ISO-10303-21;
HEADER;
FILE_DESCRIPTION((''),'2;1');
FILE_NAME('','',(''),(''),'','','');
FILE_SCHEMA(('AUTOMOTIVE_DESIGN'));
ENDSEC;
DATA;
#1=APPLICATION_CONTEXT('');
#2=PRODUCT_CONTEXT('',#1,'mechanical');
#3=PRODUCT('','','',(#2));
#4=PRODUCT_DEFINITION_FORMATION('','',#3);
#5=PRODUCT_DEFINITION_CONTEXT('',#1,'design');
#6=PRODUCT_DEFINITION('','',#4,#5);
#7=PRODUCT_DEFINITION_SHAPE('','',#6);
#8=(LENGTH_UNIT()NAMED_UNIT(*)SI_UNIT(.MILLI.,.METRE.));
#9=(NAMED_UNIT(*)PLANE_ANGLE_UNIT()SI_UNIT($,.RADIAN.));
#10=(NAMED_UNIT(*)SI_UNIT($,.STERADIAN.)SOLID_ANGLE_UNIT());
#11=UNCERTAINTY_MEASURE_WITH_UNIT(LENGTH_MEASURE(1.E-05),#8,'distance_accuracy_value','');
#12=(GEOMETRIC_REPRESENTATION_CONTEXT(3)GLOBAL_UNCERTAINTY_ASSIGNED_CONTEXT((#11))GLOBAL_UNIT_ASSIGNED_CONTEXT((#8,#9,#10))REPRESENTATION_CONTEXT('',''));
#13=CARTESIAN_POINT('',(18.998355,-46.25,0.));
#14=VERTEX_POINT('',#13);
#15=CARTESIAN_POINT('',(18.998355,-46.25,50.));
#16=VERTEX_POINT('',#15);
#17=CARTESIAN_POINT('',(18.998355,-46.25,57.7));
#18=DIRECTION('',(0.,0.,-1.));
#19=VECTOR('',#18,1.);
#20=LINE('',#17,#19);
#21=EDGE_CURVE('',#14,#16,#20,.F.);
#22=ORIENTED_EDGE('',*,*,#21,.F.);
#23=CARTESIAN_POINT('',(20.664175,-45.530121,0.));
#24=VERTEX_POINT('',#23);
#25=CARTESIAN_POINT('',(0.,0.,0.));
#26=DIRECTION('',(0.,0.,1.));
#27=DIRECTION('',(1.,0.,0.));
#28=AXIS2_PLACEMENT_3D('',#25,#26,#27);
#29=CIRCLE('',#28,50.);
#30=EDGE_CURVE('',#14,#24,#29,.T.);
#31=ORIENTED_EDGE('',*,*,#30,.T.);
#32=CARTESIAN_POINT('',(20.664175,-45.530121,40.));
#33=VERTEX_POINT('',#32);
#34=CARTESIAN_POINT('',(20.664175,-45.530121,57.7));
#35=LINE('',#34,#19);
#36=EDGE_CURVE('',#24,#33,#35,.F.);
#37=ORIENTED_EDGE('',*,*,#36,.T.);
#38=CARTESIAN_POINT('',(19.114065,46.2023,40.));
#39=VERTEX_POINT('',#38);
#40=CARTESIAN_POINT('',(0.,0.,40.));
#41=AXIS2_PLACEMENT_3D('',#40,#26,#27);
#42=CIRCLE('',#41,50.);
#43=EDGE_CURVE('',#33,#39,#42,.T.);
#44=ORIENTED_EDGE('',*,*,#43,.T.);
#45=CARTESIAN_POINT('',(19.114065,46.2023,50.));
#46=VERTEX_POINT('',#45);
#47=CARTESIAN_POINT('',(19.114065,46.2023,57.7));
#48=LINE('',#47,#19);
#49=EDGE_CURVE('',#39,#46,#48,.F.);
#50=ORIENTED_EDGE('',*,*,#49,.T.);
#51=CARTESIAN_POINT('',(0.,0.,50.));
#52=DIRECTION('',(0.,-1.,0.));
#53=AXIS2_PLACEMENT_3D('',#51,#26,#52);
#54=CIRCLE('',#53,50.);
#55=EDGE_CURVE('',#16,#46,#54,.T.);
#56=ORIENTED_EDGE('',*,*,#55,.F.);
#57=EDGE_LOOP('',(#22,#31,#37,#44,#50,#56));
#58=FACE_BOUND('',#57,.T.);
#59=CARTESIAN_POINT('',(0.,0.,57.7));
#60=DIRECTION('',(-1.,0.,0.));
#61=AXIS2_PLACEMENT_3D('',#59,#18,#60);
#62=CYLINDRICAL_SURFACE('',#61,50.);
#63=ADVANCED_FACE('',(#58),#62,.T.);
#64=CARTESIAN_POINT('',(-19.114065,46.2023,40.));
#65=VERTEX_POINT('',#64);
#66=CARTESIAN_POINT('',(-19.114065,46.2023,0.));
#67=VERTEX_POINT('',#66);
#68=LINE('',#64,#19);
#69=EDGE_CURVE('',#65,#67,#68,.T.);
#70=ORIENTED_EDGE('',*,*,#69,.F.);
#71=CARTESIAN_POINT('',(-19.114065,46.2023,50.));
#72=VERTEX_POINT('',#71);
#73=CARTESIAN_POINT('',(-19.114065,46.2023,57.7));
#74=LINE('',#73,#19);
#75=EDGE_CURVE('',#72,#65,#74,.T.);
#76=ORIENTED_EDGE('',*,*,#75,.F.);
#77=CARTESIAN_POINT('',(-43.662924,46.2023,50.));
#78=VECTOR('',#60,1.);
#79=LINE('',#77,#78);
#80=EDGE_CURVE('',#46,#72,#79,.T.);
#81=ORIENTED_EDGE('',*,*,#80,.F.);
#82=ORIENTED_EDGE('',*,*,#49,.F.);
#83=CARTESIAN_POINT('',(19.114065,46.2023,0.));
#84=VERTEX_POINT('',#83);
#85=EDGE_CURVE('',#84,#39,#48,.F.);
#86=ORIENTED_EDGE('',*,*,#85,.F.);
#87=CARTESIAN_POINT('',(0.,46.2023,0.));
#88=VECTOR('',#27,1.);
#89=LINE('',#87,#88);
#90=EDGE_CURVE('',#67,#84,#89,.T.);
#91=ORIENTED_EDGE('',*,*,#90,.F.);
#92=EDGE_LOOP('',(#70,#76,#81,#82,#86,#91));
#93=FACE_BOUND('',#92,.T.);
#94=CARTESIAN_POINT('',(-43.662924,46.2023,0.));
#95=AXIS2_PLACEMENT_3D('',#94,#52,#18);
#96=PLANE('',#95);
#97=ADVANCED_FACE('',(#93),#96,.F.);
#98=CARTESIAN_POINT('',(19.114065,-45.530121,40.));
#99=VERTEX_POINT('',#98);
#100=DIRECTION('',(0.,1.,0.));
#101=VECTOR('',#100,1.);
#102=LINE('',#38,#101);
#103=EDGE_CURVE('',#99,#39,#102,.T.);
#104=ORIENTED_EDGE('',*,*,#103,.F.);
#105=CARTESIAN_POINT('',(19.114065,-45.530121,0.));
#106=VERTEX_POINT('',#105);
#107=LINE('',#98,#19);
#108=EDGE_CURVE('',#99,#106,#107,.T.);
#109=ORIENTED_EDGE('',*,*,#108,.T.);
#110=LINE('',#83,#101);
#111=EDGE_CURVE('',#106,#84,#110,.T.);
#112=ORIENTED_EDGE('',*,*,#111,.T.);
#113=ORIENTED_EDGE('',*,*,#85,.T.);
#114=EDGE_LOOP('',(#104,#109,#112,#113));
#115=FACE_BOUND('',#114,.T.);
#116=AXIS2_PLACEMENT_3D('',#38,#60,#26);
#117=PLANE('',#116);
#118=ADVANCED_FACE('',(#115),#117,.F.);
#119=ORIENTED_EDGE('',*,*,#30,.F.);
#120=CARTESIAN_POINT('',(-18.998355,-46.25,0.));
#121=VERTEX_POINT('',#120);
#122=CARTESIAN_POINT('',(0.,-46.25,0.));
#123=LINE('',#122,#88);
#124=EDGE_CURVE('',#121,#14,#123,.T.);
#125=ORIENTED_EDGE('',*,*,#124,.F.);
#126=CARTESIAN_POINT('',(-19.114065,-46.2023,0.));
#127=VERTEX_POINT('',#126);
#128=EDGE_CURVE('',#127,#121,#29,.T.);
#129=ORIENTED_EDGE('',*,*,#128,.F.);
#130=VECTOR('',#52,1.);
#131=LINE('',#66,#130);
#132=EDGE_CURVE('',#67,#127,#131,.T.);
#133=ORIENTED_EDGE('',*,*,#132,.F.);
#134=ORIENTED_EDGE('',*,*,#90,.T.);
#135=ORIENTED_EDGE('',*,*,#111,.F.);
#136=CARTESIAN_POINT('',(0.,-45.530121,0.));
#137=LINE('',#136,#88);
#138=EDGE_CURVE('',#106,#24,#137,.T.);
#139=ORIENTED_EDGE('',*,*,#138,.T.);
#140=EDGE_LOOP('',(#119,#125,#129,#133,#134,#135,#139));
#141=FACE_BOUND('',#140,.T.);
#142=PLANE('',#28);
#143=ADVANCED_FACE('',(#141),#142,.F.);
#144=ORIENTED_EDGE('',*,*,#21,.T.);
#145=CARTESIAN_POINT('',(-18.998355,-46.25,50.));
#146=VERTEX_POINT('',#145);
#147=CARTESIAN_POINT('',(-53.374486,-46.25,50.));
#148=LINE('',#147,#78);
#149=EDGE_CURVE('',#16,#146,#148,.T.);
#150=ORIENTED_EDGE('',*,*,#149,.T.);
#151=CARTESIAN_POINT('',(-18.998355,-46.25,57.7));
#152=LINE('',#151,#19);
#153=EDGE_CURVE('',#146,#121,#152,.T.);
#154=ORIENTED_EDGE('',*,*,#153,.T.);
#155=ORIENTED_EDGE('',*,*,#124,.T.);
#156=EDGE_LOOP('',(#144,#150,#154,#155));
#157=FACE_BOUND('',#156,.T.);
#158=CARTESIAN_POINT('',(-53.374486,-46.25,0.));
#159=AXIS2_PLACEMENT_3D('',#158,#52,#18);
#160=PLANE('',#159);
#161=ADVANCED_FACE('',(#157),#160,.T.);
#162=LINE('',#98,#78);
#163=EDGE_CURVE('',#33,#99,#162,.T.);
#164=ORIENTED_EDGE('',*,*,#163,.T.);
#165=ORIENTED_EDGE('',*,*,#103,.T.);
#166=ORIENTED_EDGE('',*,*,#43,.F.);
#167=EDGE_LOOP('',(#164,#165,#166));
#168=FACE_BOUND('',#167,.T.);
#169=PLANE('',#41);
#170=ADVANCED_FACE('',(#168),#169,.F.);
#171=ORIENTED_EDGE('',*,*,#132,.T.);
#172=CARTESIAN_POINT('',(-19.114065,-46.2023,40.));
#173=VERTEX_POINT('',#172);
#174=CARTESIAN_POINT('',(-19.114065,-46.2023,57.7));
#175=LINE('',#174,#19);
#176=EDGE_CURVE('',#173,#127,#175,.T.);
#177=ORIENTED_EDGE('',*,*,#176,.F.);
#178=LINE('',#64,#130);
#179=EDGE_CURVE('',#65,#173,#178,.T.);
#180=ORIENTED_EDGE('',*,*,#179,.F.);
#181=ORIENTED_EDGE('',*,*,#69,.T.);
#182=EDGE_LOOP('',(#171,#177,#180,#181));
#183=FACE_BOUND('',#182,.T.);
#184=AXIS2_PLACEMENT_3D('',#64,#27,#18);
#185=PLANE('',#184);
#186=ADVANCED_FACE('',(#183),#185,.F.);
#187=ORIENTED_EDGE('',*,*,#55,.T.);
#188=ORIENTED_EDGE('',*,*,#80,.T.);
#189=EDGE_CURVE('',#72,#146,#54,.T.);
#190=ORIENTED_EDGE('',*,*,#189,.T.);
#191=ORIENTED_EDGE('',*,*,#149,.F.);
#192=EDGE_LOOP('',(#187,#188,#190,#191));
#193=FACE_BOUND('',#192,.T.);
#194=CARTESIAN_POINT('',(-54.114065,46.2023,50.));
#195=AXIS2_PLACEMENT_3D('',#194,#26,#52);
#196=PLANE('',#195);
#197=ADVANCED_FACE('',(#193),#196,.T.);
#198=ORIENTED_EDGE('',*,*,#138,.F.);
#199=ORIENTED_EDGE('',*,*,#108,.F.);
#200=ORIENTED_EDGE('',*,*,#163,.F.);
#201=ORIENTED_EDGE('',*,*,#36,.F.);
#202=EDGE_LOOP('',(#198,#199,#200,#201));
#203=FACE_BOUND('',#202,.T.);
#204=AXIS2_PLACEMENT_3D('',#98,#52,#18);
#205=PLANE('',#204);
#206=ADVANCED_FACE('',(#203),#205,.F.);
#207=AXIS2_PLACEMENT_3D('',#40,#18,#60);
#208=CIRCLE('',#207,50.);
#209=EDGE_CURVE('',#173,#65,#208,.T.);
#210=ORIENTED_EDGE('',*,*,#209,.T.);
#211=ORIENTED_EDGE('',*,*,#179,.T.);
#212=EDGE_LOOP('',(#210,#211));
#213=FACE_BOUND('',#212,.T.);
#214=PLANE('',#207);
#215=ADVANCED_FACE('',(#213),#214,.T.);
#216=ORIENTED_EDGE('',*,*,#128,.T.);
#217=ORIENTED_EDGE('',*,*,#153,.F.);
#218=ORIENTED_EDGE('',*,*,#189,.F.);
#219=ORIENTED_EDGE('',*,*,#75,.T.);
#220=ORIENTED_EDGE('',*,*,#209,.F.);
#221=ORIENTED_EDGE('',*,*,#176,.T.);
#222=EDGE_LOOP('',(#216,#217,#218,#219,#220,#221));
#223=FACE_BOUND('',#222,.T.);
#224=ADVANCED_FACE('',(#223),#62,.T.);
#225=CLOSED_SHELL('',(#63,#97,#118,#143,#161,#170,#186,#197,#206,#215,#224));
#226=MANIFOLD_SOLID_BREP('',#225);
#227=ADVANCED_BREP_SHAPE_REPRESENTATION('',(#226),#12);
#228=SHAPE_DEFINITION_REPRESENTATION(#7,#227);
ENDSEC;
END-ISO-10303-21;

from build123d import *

# Parameters (mm, degrees)
SKETCH_1_R               = 50
EXTRUDE_1_DEPTH          = 57.7
SKETCH_2_W               = 88.552643685
SKETCH_2_H               = 15.944116671
SKETCH_2_W_2             = 133.424200465
SKETCH_2_H_2             = 21.693790907
CUT_EXTRUDE_1_DEPTH      = 57.7
SKETCH_3_W               = 51.791054301
SKETCH_3_H               = 91.732420586
SKETCH_3_W_2             = 35.451128289
SKETCH_3_H_2             = 96.304213357
CUT_EXTRUDE_2_DEPTH      = 40
CUT_EXTRUDE_3_DEPTH      = 35
CUT_EXTRUDE_3_DEPTH_BACK = 77
SKETCH_5_W               = 7.7
SKETCH_5_H               = 94.441631117


with BuildPart() as part:
    # 草图1 → 凸台-拉伸1 (new body)
    with BuildSketch(Plane.XY):
        Circle(SKETCH_1_R)
    extrude(amount=EXTRUDE_1_DEPTH)

    # 草图2 → 切除-拉伸1 (cut)
    with BuildSketch(Plane.XY.offset(57.7)):
        with Locations((0.613398072, 54.174358248)):
            Rectangle(SKETCH_2_W, SKETCH_2_H)
        with Locations((13.337614445, -57.096895454)):
            Rectangle(SKETCH_2_W_2, SKETCH_2_H_2)
    extrude(amount=-CUT_EXTRUDE_1_DEPTH, mode=Mode.SUBTRACT)

    # 草图3 → 切除-拉伸2 (cut)
    with BuildSketch(Plane(origin=(0, 0, 0), x_dir=(-1, 0, 0), z_dir=(0, 0, -1))):
        with Locations((-45.009592204, 0.336089619)):
            Rectangle(SKETCH_3_W, SKETCH_3_H)
        with Locations((36.839629198, -1.949806767)):
            Rectangle(SKETCH_3_W_2, SKETCH_3_H_2)
    extrude(amount=-CUT_EXTRUDE_2_DEPTH, mode=Mode.SUBTRACT)

    # 草图5 → 切除-拉伸3 (cut, two sides: drawn at the far end of the back side and taken through both)
    with BuildSketch(Plane.ZY.offset(19.114065053).offset(-CUT_EXTRUDE_3_DEPTH_BACK)):
        with Locations((53.85, -1.018515647)):
            Rectangle(SKETCH_5_W, SKETCH_5_H)
    extrude(amount=CUT_EXTRUDE_3_DEPTH + CUT_EXTRUDE_3_DEPTH_BACK, mode=Mode.SUBTRACT)


solid = part.part
